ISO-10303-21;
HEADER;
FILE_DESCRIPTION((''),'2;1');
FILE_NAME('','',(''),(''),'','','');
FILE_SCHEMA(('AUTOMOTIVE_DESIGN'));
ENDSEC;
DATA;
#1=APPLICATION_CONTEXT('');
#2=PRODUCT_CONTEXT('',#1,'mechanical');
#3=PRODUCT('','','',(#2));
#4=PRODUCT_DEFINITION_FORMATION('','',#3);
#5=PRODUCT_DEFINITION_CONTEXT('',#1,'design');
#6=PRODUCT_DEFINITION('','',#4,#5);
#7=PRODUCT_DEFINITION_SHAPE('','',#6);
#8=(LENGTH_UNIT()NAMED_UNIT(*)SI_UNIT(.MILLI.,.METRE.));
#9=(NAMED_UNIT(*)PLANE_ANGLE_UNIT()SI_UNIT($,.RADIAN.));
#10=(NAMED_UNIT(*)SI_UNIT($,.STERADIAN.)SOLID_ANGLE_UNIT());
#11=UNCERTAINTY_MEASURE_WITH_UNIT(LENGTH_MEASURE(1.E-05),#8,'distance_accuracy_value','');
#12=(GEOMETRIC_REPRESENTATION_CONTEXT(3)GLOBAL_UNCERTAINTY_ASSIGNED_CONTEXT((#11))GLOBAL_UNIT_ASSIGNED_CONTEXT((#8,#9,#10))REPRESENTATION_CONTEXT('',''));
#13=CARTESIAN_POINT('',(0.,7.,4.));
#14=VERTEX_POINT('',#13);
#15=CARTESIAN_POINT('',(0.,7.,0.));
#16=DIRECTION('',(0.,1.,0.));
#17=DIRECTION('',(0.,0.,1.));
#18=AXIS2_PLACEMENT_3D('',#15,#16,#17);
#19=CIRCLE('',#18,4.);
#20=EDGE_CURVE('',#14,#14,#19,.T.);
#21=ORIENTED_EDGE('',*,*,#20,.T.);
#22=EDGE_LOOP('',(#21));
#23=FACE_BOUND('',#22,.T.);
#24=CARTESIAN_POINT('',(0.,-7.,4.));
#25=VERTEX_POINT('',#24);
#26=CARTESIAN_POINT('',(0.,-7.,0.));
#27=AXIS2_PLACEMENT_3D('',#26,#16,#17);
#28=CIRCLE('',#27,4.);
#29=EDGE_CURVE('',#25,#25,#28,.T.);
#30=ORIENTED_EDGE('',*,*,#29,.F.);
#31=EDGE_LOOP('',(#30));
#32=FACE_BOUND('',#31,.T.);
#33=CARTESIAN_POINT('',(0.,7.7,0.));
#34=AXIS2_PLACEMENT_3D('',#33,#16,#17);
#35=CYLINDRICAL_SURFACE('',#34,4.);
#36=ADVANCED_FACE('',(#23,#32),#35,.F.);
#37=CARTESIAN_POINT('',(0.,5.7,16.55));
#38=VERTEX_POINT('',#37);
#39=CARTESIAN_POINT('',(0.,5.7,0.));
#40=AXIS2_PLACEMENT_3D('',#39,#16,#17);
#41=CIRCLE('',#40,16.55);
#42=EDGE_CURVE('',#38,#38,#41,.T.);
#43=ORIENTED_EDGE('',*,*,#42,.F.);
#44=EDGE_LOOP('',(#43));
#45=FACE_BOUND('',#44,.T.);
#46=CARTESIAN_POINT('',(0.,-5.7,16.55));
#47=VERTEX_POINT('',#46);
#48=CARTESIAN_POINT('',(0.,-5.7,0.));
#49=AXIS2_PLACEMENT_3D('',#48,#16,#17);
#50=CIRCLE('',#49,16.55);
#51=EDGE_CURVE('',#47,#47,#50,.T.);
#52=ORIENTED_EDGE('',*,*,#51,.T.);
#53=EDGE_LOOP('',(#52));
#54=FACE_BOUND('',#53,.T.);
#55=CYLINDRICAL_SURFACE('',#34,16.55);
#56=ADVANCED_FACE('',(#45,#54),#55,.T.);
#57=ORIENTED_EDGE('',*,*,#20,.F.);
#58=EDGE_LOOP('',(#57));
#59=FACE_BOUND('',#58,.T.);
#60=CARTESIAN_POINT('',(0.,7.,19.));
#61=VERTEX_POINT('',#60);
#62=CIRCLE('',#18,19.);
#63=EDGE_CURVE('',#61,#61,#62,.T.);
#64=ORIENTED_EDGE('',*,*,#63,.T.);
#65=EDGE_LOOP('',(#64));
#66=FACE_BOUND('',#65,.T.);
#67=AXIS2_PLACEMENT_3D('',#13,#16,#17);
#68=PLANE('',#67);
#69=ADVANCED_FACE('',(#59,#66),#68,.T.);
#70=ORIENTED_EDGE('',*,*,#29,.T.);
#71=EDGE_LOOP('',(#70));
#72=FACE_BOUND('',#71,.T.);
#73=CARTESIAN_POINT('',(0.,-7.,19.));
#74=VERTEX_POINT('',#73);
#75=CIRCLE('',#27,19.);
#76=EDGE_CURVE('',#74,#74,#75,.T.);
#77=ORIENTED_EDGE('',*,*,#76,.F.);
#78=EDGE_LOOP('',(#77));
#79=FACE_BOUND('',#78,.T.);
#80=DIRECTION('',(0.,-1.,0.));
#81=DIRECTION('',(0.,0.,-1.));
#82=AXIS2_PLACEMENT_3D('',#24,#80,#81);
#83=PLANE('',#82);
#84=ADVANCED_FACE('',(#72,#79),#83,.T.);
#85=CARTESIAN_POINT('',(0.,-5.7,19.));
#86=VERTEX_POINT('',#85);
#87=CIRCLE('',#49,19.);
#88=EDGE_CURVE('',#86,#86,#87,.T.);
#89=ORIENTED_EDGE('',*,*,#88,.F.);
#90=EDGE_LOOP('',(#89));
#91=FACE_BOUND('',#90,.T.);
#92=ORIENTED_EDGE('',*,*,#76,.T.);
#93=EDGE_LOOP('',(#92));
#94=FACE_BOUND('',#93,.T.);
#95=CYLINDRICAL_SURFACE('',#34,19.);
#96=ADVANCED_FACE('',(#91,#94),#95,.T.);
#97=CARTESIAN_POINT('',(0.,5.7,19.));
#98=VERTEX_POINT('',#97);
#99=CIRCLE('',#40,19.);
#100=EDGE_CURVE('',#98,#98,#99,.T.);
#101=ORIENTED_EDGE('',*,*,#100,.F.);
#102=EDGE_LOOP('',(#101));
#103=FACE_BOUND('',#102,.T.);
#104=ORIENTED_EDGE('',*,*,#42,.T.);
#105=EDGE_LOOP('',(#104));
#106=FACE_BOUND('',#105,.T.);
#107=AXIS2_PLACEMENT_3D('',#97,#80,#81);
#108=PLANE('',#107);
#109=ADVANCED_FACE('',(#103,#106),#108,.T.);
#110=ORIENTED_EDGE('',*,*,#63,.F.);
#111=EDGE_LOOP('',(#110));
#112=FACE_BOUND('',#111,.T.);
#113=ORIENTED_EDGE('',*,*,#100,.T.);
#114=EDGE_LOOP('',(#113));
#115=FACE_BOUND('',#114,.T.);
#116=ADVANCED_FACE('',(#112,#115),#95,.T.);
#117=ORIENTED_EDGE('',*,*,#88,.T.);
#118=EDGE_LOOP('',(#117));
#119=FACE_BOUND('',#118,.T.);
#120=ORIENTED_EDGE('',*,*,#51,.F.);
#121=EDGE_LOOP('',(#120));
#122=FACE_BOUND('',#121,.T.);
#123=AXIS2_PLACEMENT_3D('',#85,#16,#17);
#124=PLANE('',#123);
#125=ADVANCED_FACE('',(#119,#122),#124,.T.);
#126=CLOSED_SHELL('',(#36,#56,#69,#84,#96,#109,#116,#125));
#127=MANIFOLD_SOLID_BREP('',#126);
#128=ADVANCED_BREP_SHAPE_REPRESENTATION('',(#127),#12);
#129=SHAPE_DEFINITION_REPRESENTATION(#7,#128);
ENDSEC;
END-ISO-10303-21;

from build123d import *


with BuildPart() as part:
    # Sketch1 → Revolve1 (revolve)
    with BuildSketch(Plane(origin=(0, 0, 0), x_dir=(0, 0, -1), z_dir=(1, 0, 0))):
        Polygon((-4, -7), (-4, 7), (-19, 7), (-19, 5.7), (-16.55, 5.7), (-16.55, -5.7), (-19, -5.7), (-19, -7), align=None)
    revolve(axis=Axis((0, 7.7, 0), (0, -1, 0)))


solid = part.part
